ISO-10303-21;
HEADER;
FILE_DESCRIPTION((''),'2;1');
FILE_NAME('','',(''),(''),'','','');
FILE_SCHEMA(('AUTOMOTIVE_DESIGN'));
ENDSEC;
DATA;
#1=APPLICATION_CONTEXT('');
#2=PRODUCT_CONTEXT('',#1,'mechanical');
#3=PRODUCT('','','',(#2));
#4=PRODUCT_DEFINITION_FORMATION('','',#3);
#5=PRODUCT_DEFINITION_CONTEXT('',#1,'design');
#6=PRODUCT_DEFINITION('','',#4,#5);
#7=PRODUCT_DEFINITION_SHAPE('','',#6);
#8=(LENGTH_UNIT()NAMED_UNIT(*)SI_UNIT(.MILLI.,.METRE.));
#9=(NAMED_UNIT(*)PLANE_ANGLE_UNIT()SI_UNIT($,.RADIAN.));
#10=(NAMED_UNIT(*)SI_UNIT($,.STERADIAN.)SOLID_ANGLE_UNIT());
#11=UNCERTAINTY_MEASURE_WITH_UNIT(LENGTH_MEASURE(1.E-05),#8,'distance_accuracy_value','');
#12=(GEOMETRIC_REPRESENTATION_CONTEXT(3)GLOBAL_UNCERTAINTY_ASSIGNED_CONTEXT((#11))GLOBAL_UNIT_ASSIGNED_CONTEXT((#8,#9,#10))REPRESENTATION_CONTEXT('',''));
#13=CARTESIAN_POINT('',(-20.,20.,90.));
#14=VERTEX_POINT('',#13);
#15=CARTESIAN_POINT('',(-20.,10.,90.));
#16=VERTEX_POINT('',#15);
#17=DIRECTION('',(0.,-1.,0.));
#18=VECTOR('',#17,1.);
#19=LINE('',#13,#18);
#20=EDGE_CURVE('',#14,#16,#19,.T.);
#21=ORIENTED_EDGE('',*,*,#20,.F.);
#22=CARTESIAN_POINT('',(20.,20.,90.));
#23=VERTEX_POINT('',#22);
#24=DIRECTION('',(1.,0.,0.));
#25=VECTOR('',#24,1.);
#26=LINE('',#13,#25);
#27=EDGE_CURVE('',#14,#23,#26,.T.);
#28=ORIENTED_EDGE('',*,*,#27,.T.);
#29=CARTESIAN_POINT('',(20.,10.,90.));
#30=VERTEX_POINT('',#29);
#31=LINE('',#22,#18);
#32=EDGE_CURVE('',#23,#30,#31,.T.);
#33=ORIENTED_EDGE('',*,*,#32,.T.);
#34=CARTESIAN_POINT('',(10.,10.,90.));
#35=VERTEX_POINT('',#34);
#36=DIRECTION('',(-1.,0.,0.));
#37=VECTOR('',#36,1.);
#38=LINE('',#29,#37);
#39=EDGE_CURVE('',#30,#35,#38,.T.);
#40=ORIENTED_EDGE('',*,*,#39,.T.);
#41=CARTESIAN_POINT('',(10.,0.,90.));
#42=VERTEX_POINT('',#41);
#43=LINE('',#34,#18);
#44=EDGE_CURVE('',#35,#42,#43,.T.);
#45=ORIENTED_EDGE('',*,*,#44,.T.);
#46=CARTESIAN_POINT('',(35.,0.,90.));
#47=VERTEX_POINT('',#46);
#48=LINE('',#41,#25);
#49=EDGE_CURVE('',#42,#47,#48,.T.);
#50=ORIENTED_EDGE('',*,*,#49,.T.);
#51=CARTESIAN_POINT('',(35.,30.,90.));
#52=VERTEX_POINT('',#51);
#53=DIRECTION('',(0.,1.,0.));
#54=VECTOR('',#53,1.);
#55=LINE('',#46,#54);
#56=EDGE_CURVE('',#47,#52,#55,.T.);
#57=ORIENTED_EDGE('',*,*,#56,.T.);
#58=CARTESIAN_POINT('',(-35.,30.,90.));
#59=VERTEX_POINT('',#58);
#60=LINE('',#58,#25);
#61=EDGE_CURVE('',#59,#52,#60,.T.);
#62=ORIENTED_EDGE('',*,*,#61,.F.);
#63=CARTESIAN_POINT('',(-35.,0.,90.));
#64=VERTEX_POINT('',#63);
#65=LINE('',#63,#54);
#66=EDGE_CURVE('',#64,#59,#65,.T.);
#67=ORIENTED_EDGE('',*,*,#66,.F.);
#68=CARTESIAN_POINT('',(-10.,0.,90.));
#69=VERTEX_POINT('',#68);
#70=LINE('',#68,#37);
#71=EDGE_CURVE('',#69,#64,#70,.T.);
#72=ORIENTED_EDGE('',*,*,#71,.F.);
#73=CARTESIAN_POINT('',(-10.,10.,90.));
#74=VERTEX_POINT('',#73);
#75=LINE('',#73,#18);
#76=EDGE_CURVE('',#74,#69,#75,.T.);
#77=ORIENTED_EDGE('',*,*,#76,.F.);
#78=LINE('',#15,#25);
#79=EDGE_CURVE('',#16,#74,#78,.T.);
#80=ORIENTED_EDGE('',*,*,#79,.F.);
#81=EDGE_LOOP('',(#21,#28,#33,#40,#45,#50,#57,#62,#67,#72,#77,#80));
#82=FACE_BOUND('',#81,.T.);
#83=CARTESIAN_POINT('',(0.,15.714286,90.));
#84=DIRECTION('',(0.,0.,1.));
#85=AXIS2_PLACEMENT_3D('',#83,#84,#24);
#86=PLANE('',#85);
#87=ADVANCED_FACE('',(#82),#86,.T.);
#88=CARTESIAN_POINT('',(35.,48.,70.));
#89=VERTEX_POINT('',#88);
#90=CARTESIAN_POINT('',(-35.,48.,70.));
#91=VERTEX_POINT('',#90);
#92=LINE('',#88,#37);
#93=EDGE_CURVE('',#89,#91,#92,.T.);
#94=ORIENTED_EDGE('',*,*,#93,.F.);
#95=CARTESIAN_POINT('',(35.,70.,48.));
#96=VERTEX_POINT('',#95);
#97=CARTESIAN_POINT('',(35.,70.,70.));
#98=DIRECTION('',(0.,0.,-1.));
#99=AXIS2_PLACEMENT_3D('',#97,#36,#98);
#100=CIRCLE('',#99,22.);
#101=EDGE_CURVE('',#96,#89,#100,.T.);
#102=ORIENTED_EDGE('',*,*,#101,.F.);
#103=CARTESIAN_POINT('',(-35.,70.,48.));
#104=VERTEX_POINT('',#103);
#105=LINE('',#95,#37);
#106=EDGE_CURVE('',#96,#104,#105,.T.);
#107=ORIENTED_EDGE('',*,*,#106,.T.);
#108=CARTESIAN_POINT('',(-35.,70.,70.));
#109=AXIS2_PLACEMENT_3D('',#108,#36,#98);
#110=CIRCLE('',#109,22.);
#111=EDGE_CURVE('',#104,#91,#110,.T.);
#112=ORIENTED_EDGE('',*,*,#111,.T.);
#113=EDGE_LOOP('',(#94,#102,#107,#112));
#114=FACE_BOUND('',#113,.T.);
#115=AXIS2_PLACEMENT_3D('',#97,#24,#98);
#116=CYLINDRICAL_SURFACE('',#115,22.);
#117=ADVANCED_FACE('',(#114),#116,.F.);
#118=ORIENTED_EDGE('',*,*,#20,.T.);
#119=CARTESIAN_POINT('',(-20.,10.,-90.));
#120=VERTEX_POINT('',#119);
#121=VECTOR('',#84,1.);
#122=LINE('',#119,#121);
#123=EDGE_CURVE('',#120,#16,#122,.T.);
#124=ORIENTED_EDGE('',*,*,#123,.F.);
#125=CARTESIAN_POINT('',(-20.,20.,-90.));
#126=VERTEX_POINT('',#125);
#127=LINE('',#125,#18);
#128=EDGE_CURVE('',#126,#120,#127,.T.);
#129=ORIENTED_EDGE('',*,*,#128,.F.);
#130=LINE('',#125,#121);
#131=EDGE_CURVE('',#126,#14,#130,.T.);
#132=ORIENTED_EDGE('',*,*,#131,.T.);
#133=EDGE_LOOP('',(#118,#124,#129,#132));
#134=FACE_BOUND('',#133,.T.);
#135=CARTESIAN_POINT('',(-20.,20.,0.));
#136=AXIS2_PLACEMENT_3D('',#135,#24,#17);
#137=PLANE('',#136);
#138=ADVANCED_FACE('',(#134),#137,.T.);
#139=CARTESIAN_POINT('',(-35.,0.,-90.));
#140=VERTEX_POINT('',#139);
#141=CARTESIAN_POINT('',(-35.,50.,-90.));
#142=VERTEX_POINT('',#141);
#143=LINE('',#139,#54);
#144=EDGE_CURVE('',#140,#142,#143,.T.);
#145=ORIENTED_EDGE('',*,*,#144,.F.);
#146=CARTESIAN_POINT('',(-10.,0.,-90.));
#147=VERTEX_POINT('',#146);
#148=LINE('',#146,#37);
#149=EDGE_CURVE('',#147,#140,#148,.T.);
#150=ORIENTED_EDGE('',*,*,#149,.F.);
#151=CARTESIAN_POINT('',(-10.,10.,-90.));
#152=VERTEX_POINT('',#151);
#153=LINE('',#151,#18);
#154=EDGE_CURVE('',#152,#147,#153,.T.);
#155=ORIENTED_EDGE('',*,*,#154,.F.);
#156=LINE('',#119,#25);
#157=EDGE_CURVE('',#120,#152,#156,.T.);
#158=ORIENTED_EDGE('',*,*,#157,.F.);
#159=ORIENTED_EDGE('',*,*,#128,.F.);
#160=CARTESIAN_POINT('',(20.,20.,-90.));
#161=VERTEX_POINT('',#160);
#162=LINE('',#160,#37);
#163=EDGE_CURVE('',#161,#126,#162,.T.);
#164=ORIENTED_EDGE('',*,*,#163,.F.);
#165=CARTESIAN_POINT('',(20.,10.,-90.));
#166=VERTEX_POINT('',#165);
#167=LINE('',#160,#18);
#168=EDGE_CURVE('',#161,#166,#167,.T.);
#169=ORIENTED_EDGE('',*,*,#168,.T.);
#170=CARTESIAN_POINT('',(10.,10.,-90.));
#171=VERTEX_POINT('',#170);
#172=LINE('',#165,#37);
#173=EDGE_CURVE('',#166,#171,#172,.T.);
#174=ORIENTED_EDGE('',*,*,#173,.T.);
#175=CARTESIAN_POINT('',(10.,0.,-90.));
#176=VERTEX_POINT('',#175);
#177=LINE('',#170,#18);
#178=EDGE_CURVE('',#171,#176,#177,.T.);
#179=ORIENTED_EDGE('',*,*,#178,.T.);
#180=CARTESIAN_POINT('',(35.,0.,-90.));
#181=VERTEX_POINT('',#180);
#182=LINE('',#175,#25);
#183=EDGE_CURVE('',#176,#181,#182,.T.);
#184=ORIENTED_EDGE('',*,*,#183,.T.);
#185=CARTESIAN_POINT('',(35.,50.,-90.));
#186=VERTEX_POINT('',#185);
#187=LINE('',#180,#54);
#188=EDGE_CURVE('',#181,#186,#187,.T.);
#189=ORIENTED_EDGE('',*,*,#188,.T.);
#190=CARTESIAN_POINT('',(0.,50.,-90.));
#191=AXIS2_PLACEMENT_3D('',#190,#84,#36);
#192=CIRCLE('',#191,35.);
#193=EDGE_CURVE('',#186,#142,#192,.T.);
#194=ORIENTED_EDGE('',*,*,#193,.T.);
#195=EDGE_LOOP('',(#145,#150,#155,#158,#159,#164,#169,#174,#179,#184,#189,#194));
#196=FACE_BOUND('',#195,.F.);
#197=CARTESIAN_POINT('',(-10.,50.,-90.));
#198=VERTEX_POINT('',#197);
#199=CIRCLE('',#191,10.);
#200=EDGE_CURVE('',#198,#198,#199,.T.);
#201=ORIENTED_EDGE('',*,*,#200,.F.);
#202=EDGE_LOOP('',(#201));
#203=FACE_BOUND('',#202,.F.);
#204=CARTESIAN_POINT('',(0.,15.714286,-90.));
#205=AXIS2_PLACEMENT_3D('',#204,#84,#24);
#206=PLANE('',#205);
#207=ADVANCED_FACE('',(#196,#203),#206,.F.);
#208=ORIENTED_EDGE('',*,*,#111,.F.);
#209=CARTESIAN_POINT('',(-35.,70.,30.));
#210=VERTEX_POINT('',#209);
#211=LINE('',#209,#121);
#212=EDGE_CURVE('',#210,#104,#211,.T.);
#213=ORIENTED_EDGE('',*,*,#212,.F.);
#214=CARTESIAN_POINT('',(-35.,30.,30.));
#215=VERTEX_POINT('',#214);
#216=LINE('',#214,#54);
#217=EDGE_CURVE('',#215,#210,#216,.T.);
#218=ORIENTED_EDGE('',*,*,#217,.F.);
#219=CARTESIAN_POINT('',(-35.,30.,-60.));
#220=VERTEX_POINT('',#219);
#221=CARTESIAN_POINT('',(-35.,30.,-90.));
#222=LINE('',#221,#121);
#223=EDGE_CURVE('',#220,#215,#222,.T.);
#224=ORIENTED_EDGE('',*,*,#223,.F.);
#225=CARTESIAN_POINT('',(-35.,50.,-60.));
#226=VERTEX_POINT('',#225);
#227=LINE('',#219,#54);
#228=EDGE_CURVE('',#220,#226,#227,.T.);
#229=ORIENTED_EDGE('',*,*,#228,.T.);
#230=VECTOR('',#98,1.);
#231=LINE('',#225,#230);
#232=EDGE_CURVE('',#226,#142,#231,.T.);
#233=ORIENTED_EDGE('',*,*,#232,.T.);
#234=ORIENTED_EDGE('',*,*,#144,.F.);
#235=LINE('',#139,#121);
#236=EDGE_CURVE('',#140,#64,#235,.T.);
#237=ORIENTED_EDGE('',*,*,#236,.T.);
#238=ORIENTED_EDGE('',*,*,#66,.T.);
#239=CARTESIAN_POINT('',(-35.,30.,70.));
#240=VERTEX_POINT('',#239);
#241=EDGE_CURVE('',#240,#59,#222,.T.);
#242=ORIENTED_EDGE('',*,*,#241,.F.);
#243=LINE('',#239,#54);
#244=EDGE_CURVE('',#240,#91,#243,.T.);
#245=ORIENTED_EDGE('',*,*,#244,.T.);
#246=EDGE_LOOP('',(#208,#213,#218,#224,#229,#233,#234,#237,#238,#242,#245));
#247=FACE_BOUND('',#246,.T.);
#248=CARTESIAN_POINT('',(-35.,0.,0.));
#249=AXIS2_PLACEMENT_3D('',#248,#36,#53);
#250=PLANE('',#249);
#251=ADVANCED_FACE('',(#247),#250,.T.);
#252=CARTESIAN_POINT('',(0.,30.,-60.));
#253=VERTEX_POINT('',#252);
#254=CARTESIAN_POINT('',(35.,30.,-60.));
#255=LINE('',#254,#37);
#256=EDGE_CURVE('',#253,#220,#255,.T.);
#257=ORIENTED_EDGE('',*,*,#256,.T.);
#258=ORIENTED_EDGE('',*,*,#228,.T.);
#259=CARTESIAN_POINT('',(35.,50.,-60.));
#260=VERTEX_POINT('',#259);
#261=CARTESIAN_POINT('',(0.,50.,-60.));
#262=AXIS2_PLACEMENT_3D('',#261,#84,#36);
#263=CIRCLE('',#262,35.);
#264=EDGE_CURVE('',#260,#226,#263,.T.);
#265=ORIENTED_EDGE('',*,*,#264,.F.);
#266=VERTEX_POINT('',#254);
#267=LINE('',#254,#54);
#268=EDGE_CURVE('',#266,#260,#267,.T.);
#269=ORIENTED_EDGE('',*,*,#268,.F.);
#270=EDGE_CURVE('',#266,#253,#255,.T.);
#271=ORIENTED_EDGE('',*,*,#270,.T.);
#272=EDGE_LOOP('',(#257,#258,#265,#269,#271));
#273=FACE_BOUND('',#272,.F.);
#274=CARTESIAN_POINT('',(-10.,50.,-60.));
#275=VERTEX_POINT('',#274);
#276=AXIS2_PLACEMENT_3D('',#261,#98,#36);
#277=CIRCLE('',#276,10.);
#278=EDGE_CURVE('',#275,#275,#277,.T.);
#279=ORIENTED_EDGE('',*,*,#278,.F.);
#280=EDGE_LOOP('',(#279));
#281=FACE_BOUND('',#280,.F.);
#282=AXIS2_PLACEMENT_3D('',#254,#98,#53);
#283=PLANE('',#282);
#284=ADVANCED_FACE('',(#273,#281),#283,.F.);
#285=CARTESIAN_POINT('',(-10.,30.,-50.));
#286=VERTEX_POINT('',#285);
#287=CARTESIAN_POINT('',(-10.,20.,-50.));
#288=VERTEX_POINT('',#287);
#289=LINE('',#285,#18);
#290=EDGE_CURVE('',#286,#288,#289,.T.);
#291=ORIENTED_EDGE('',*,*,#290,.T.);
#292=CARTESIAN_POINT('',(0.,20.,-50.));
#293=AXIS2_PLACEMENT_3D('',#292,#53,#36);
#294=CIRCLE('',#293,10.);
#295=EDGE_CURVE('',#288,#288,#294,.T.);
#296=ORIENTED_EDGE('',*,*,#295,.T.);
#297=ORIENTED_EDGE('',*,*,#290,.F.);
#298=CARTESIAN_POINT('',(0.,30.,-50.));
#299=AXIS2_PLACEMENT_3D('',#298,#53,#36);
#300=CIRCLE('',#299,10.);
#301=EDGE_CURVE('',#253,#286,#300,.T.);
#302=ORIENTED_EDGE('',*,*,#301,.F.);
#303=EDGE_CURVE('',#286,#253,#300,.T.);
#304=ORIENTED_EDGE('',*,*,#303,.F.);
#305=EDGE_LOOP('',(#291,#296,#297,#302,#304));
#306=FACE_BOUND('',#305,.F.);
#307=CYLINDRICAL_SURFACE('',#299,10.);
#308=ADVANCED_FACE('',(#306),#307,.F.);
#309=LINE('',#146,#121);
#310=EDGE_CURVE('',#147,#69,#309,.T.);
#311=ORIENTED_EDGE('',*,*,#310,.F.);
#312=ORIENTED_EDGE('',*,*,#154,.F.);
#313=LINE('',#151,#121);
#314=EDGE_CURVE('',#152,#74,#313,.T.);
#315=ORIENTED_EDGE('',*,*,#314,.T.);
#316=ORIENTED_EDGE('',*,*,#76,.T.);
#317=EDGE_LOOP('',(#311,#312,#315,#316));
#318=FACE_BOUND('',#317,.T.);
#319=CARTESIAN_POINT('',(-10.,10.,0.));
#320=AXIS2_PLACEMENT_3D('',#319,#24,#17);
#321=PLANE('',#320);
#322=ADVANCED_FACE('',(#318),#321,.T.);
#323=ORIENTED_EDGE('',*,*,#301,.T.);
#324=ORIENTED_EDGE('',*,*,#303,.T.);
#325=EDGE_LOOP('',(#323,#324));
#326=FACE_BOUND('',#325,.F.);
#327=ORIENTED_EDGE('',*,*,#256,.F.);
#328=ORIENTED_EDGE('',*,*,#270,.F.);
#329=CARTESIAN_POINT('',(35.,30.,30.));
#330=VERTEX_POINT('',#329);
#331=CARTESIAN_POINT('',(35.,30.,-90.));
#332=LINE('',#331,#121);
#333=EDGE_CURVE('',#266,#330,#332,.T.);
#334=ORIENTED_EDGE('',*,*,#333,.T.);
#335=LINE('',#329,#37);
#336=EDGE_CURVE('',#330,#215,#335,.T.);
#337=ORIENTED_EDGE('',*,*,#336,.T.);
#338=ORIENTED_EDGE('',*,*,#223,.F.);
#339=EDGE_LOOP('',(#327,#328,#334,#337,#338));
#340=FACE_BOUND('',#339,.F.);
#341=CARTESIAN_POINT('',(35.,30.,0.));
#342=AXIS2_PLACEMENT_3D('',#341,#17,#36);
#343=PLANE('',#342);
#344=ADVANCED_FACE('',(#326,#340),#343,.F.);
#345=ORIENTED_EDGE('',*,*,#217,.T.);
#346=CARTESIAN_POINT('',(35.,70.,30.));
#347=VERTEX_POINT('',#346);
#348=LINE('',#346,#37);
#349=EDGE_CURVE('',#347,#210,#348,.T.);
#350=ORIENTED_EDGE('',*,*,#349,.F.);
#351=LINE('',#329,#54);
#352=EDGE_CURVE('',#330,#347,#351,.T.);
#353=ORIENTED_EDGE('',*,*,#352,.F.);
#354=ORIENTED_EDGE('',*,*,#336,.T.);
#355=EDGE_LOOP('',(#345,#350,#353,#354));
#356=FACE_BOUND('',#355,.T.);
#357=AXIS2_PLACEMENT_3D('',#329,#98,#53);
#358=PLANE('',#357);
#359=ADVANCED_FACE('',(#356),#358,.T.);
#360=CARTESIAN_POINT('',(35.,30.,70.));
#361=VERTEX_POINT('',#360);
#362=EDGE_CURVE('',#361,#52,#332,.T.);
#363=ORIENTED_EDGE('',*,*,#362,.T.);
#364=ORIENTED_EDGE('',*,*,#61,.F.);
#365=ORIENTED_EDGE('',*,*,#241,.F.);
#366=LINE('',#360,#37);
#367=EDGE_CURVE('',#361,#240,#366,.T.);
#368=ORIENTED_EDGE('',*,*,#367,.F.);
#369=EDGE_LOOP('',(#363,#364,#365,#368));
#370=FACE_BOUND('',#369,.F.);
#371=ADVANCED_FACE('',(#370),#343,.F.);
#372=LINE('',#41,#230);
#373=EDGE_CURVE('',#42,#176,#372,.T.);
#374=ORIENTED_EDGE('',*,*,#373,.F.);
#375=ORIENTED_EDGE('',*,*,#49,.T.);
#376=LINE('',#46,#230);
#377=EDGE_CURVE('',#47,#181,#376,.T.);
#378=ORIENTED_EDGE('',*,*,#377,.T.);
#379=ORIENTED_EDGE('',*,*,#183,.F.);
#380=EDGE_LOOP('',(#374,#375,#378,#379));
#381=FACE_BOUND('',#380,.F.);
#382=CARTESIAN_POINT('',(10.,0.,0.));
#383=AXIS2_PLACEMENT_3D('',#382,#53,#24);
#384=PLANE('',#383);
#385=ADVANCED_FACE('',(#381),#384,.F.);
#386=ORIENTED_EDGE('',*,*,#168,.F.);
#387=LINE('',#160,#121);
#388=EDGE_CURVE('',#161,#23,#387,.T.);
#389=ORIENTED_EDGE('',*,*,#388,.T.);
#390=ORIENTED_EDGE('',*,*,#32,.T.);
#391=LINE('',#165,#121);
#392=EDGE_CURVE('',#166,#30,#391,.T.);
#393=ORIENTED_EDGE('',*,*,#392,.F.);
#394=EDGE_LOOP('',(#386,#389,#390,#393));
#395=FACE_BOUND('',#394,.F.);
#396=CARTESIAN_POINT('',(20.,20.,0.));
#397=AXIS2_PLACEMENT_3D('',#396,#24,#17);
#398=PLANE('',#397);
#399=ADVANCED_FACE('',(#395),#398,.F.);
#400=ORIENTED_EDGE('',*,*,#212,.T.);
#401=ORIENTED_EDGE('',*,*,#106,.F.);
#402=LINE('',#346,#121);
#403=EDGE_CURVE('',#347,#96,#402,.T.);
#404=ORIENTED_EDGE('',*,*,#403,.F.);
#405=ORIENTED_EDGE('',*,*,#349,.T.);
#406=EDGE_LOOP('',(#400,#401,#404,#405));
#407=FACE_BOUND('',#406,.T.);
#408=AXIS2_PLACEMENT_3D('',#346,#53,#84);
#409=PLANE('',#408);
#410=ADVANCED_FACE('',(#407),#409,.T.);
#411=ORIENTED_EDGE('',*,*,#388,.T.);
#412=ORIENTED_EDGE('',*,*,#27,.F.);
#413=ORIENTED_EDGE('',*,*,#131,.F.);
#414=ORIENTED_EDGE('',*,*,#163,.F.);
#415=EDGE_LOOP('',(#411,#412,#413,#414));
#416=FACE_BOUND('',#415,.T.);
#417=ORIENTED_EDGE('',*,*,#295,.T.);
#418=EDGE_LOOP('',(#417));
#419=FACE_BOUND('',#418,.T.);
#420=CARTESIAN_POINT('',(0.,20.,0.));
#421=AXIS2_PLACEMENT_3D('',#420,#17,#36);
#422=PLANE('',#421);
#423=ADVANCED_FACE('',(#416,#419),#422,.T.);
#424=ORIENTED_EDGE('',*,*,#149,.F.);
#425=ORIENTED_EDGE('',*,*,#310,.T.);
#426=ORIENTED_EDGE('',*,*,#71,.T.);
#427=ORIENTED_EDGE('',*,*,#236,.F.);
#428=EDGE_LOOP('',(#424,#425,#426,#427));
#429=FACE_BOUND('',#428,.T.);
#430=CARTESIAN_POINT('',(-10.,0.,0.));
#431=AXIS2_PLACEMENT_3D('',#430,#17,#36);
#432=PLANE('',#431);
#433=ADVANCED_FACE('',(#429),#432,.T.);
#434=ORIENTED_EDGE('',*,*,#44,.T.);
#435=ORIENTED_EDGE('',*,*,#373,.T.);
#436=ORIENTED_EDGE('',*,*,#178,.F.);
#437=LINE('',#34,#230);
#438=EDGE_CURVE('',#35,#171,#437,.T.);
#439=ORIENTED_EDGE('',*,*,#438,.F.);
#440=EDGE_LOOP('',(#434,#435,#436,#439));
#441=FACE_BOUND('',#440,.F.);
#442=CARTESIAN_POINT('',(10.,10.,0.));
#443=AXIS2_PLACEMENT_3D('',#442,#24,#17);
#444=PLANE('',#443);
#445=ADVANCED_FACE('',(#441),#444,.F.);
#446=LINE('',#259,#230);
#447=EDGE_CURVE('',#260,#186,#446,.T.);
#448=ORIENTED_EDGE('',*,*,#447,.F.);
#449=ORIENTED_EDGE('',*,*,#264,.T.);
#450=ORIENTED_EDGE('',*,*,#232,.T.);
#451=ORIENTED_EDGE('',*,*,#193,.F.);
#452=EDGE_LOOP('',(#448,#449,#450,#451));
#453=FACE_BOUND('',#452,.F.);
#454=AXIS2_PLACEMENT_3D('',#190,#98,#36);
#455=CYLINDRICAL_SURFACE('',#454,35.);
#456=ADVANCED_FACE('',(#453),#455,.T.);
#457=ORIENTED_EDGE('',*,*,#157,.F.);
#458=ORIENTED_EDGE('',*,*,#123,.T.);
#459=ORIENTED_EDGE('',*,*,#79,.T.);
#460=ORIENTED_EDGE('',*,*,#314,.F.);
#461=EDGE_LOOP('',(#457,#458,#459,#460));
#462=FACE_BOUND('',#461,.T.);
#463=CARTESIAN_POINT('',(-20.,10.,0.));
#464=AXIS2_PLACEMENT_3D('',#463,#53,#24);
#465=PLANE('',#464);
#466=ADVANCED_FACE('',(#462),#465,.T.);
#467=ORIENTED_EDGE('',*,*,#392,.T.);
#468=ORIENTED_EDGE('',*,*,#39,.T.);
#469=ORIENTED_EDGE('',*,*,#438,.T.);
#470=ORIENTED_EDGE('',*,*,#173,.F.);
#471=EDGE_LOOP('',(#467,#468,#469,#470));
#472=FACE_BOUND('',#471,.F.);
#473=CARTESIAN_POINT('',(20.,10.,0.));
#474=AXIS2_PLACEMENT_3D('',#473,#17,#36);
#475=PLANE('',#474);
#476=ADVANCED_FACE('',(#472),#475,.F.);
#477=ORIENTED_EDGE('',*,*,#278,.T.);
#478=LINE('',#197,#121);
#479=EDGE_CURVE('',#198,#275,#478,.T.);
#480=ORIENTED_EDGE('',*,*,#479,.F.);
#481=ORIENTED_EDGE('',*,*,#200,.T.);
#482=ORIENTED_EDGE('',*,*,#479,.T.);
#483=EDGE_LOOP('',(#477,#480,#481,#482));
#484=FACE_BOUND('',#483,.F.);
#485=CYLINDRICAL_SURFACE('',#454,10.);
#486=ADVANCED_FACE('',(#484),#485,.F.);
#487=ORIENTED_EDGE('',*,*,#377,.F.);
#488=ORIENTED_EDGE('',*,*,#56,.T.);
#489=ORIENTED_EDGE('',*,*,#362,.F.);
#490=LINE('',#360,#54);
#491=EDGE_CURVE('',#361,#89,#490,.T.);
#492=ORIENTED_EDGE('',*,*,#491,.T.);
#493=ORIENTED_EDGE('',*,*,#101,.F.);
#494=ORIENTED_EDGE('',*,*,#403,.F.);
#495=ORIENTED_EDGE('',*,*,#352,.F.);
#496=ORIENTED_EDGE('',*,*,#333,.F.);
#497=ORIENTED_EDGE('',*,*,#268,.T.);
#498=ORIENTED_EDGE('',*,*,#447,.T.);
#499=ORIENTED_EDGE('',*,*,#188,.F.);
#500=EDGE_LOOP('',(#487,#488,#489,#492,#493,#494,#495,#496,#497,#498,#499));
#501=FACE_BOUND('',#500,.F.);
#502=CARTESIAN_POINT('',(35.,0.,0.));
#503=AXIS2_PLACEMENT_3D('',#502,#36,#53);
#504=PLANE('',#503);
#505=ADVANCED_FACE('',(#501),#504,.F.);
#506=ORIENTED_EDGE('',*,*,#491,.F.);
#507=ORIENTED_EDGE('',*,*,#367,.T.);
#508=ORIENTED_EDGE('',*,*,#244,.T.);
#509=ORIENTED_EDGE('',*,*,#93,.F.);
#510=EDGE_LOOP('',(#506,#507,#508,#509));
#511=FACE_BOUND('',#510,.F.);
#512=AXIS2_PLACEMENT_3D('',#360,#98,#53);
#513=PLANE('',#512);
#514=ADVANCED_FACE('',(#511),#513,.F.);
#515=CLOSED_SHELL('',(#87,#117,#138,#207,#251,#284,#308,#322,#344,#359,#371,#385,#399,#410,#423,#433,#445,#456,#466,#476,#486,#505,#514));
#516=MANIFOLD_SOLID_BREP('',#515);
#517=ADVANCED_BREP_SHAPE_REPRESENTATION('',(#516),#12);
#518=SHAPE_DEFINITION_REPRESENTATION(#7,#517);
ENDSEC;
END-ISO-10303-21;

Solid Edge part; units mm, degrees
sketch "Sketch1" plane through (0, 0, 0) normal (0, 0, 1) x (1, 0, 0)
  line L0 (35, 0) -> (35, 30)
  line L1 (35, 30) -> (0, 30)
  line L2 (-35, 30) -> (0, 30)
  line L3 (-35, 0) -> (-35, 30)
  line L4 (-10, 0) -> (-35, 0)
  line L5 (-10, 10) -> (-10, 0)
  line L6 (-20, 10) -> (-10, 10)
  line L7 (-20, 20) -> (-20, 10)
  line L8 (0, 20) -> (-20, 20)
  line L9 (0, 20) -> (20, 20)
  line L10 (20, 20) -> (20, 10)
  line L11 (20, 10) -> (10, 10)
  line L12 (10, 10) -> (10, 0)
  line L13 (10, 0) -> (35, 0)
extrude "Protrusion1" add sketch "Sketch1" along normal mid plane 180
sketch "Sketch2" plane through (35, 15, 0) normal (1, 0, 0) x (0, 0, -1)
  line L0 (-70, 15) -> (-70, 33)
  line L1 (-70, 15) -> (-30, 15)
  line L2 (-30, 15) -> (-30, 55)
  line L3 (-30, 55) -> (-48, 55)
  arc A0 (-48, 55) -> (-70, 33) centre (-70, 55) cw
  line L4 (60, 15) -> (60, 35)
  line L5 (60, 35) -> (90, 35)
  line L6 (90, 35) -> (90, 15)
  line L7 (90, 15) -> (60, 15)
extrude "ExtrudedProtrusion_4" add sketch "Sketch2" against normal blind 70
sketch "Sketch3" plane through (0, 25, -90) normal (0, 0, -1) x (-1, 0, 0)
  circle A0 centre (0, 25) radius 10
extrude "ExtrudedCutout_3" cut sketch "Sketch3" against normal blind 30
sketch "Sketch4" plane through (0, 25, -90) normal (0, 0, -1) x (-1, 0, 0)
  line L0 (10, 25) -> (35, 25)
  line L1 (-35, 25) -> (-10, 25)
  arc A0 (-35, 25) -> (35, 25) centre (0, 25) cw
  arc A1 (-10, 25) -> (10, 25) centre (0, 25) cw
extrude "ExtrudedProtrusion_5" add sketch "Sketch4" against normal blind 30
sketch "Sketch5" plane through (0, 30, -15) normal (0, 1, 0) x (-1, 0, 0)
  circle A0 centre (0, -35) radius 10
extrude "ExtrudedCutout_4" cut sketch "Sketch5" against normal blind 30
